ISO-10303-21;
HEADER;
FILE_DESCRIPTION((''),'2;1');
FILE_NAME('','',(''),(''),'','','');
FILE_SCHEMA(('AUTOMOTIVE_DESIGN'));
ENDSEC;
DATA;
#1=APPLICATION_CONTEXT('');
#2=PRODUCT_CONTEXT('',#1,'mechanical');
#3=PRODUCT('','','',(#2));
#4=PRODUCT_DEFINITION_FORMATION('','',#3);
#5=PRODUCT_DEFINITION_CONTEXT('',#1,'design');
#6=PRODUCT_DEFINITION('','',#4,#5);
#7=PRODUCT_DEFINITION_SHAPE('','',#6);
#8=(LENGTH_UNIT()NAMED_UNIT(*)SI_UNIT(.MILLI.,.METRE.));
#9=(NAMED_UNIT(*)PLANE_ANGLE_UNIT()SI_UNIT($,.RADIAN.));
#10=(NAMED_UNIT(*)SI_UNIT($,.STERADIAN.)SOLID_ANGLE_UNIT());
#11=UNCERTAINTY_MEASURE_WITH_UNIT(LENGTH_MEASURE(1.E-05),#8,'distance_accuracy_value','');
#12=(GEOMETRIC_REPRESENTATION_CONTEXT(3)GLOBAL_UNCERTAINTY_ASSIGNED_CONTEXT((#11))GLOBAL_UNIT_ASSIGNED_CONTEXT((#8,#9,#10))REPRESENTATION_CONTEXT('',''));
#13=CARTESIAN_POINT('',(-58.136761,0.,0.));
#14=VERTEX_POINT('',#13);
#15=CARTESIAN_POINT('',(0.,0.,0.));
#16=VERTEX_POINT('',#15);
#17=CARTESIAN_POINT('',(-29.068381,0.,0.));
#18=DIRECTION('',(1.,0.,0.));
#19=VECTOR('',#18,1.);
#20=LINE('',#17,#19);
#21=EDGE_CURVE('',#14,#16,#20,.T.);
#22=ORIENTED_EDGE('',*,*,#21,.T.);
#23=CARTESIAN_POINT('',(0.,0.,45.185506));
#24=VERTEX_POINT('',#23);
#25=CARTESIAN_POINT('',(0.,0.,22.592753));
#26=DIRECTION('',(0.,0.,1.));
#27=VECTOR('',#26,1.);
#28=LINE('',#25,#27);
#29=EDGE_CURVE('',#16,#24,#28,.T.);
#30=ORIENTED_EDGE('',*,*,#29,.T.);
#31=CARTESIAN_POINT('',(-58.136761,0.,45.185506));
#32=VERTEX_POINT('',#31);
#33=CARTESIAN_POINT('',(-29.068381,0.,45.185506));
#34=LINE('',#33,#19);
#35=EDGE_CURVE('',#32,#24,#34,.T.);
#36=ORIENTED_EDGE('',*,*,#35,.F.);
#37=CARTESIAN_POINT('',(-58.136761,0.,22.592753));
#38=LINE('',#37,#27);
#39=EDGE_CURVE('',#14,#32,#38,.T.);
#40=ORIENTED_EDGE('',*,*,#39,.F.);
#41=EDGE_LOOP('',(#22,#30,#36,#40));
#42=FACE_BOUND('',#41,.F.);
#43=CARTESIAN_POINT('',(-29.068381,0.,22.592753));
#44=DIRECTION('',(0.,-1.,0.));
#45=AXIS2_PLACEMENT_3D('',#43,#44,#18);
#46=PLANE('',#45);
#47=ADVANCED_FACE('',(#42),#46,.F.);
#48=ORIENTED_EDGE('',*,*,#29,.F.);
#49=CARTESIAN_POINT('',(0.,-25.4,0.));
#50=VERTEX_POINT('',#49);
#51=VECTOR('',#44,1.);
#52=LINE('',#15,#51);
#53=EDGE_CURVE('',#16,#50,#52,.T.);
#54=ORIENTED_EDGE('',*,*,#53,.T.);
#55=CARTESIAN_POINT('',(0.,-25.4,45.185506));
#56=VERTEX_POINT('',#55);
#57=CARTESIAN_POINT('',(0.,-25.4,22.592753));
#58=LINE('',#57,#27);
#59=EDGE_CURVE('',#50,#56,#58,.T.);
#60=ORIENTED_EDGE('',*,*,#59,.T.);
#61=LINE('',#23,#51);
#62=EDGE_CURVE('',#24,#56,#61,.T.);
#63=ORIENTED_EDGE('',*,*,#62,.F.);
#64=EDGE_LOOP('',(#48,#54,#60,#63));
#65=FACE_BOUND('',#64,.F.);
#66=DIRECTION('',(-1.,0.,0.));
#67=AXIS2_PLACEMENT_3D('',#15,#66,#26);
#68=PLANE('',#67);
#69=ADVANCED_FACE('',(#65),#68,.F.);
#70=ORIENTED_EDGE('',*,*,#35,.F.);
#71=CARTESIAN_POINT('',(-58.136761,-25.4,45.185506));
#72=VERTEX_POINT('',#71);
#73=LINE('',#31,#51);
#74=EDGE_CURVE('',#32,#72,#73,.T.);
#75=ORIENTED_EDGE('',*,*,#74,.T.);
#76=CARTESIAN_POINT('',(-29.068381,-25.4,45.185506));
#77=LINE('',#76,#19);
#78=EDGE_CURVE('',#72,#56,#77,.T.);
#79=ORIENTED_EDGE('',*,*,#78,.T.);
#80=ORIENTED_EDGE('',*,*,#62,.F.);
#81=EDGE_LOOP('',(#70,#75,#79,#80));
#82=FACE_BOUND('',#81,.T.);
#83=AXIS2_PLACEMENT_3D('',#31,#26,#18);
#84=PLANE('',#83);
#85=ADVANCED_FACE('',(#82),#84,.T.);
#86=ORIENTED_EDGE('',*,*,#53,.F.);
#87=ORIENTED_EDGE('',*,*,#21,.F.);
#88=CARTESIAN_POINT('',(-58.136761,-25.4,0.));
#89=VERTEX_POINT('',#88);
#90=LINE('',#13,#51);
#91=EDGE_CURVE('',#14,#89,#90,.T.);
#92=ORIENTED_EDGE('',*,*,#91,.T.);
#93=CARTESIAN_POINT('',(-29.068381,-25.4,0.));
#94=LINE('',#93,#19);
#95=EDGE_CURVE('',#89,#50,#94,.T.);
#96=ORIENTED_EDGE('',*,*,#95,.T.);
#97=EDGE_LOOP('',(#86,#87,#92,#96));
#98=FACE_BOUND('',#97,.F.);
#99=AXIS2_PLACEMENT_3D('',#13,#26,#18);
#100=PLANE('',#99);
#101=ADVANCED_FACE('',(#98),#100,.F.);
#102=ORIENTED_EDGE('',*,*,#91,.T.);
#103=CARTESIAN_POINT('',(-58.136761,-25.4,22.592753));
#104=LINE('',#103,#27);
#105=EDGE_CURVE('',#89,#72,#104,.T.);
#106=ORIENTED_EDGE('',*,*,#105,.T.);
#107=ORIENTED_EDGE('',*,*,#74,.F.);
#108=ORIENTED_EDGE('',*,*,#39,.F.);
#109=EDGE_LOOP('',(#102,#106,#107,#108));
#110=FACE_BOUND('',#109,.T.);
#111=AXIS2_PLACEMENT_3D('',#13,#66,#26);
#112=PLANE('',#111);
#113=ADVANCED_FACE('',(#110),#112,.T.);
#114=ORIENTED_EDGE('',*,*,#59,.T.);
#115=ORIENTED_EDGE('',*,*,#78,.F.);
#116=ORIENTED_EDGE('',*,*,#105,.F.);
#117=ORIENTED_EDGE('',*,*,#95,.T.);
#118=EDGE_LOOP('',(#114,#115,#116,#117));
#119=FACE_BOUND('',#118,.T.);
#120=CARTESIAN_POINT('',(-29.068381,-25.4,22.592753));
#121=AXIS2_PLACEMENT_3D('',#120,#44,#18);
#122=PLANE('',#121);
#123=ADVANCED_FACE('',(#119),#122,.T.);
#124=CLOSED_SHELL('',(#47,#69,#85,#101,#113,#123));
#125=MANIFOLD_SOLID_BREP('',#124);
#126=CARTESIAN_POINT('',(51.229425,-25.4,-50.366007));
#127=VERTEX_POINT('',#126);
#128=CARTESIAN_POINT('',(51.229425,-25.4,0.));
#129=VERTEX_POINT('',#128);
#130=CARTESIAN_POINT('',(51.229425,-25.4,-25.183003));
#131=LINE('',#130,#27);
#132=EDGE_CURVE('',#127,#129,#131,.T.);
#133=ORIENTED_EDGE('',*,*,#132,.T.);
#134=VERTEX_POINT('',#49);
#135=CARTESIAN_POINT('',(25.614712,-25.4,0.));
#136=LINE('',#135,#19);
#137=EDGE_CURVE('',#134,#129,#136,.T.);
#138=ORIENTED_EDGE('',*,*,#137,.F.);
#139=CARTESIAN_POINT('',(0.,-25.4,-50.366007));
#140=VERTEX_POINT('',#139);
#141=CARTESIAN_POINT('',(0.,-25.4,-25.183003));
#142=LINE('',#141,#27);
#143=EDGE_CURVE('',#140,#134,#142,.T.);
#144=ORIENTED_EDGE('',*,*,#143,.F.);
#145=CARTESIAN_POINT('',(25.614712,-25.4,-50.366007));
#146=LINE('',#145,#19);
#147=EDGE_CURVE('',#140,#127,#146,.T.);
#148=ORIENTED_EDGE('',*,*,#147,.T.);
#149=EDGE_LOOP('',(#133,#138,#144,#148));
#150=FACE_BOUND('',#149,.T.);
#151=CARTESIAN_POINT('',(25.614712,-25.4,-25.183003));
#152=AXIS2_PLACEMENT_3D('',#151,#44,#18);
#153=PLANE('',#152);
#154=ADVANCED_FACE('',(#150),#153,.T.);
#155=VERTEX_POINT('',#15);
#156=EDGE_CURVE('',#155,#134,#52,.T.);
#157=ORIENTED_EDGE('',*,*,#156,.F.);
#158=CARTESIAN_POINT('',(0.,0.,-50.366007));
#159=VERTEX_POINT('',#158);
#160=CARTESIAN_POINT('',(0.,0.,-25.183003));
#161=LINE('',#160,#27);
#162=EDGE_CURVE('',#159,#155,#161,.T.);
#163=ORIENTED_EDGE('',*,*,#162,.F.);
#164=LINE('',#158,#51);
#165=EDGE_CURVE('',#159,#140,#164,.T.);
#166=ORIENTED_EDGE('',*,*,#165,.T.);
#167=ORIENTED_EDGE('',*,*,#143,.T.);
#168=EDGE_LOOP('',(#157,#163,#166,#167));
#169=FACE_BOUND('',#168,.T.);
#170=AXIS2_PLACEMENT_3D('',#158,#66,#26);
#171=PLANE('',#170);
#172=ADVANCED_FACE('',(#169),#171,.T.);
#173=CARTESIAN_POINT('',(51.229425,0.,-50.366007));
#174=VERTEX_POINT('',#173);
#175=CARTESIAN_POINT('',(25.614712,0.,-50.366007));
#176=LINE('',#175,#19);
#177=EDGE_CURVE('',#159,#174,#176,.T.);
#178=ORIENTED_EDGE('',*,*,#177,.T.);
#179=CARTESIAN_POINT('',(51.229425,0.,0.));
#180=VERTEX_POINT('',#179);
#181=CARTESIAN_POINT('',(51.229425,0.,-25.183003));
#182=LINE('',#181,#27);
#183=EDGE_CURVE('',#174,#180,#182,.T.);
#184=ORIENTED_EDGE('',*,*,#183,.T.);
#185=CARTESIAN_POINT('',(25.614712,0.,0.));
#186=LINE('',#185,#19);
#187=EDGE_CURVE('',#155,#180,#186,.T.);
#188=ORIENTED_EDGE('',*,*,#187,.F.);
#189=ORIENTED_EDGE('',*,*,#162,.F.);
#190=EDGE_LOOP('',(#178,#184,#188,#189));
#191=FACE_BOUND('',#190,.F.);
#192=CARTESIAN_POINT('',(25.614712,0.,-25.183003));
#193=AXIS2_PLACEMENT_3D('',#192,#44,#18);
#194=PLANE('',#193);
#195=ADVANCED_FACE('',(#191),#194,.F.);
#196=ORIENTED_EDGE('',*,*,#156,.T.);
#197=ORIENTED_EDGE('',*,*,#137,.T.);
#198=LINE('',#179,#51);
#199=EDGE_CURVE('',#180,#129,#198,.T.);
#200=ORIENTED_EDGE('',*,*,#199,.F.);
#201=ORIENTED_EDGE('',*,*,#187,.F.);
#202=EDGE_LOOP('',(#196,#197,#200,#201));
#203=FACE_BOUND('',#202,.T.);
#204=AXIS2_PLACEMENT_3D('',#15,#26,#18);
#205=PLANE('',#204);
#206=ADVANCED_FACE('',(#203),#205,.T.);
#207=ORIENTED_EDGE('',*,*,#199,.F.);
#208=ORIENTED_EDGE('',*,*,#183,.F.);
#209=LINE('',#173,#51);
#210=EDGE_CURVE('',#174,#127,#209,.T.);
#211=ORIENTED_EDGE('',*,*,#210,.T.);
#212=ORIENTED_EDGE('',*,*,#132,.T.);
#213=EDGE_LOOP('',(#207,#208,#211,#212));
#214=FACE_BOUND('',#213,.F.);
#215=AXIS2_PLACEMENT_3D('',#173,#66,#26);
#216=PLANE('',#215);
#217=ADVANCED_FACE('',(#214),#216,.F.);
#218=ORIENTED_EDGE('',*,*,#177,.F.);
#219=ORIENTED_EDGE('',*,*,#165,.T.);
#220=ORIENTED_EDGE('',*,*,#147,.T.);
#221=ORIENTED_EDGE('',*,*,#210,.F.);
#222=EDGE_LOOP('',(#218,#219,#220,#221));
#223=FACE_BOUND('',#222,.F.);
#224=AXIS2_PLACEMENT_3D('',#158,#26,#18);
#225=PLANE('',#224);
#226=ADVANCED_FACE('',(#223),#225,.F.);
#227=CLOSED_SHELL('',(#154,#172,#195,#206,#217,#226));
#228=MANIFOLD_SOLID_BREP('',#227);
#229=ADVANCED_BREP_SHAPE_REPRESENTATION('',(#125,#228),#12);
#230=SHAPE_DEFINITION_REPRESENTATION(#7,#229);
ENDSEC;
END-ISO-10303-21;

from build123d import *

# Parameters (mm, degrees)
F0_R        = 54.7360857457
F1_DEPTH    = 25.4
F2_R        = 36.2738020699
F3_DEPTH    = 25.4
F4_R        = 11.1169044366
F5_DEPTH    = 25.4
F1_FACE_R   = 54.7360857457
F1_FACE_R_2 = 36.2738020699
F6_DEPTH    = 25.4
F8_W        = 58.1367611885
F8_H        = 45.1855063438
F9_DEPTH    = 25.4
F8_W_2      = 51.2294247746
F8_H_2      = 50.3660067916


with BuildPart() as f1:
    # F0 (on Front) → F1 (new body)
    with BuildSketch(Plane.XZ):
        Circle(F0_R)
    extrude(amount=F1_DEPTH)

    # F2 (on face) → F3 (join)
    with BuildSketch(Plane.XZ.offset(25.4)):
        Circle(F2_R)
    extrude(amount=F3_DEPTH)

    # F4 (on face) → F5 (join)
    with BuildSketch(Plane.XZ.offset(50.8)):
        Circle(F4_R)
    extrude(amount=F5_DEPTH)

    # F1_face (on face) + F2 (on face) → F6 (intersect)
    with BuildSketch(Plane.XZ.offset(25.4)):
        Circle(F1_FACE_R)
        Circle(F1_FACE_R_2, mode=Mode.SUBTRACT)
    with BuildSketch(Plane.XZ.offset(25.4)):
        Circle(F2_R)
    extrude(amount=-F6_DEPTH, mode=Mode.INTERSECT)


with BuildPart() as f9:
    # F8 (on Front) → F9 (new body)
    with BuildSketch(Plane.XZ):
        with Locations((-29.0683805943, 22.5927531719)):
            Rectangle(F8_W, F8_H)
    extrude(amount=F9_DEPTH)


with BuildPart() as f9b:
    # F8 (on Front) → F9, piece 2 (new body)
    with BuildSketch(Plane.XZ):
        with Locations((25.6147123873, -25.1830033958)):
            Rectangle(F8_W_2, F8_H_2)
    extrude(amount=F9_DEPTH)


solid = Compound([f9.part, f9b.part])
